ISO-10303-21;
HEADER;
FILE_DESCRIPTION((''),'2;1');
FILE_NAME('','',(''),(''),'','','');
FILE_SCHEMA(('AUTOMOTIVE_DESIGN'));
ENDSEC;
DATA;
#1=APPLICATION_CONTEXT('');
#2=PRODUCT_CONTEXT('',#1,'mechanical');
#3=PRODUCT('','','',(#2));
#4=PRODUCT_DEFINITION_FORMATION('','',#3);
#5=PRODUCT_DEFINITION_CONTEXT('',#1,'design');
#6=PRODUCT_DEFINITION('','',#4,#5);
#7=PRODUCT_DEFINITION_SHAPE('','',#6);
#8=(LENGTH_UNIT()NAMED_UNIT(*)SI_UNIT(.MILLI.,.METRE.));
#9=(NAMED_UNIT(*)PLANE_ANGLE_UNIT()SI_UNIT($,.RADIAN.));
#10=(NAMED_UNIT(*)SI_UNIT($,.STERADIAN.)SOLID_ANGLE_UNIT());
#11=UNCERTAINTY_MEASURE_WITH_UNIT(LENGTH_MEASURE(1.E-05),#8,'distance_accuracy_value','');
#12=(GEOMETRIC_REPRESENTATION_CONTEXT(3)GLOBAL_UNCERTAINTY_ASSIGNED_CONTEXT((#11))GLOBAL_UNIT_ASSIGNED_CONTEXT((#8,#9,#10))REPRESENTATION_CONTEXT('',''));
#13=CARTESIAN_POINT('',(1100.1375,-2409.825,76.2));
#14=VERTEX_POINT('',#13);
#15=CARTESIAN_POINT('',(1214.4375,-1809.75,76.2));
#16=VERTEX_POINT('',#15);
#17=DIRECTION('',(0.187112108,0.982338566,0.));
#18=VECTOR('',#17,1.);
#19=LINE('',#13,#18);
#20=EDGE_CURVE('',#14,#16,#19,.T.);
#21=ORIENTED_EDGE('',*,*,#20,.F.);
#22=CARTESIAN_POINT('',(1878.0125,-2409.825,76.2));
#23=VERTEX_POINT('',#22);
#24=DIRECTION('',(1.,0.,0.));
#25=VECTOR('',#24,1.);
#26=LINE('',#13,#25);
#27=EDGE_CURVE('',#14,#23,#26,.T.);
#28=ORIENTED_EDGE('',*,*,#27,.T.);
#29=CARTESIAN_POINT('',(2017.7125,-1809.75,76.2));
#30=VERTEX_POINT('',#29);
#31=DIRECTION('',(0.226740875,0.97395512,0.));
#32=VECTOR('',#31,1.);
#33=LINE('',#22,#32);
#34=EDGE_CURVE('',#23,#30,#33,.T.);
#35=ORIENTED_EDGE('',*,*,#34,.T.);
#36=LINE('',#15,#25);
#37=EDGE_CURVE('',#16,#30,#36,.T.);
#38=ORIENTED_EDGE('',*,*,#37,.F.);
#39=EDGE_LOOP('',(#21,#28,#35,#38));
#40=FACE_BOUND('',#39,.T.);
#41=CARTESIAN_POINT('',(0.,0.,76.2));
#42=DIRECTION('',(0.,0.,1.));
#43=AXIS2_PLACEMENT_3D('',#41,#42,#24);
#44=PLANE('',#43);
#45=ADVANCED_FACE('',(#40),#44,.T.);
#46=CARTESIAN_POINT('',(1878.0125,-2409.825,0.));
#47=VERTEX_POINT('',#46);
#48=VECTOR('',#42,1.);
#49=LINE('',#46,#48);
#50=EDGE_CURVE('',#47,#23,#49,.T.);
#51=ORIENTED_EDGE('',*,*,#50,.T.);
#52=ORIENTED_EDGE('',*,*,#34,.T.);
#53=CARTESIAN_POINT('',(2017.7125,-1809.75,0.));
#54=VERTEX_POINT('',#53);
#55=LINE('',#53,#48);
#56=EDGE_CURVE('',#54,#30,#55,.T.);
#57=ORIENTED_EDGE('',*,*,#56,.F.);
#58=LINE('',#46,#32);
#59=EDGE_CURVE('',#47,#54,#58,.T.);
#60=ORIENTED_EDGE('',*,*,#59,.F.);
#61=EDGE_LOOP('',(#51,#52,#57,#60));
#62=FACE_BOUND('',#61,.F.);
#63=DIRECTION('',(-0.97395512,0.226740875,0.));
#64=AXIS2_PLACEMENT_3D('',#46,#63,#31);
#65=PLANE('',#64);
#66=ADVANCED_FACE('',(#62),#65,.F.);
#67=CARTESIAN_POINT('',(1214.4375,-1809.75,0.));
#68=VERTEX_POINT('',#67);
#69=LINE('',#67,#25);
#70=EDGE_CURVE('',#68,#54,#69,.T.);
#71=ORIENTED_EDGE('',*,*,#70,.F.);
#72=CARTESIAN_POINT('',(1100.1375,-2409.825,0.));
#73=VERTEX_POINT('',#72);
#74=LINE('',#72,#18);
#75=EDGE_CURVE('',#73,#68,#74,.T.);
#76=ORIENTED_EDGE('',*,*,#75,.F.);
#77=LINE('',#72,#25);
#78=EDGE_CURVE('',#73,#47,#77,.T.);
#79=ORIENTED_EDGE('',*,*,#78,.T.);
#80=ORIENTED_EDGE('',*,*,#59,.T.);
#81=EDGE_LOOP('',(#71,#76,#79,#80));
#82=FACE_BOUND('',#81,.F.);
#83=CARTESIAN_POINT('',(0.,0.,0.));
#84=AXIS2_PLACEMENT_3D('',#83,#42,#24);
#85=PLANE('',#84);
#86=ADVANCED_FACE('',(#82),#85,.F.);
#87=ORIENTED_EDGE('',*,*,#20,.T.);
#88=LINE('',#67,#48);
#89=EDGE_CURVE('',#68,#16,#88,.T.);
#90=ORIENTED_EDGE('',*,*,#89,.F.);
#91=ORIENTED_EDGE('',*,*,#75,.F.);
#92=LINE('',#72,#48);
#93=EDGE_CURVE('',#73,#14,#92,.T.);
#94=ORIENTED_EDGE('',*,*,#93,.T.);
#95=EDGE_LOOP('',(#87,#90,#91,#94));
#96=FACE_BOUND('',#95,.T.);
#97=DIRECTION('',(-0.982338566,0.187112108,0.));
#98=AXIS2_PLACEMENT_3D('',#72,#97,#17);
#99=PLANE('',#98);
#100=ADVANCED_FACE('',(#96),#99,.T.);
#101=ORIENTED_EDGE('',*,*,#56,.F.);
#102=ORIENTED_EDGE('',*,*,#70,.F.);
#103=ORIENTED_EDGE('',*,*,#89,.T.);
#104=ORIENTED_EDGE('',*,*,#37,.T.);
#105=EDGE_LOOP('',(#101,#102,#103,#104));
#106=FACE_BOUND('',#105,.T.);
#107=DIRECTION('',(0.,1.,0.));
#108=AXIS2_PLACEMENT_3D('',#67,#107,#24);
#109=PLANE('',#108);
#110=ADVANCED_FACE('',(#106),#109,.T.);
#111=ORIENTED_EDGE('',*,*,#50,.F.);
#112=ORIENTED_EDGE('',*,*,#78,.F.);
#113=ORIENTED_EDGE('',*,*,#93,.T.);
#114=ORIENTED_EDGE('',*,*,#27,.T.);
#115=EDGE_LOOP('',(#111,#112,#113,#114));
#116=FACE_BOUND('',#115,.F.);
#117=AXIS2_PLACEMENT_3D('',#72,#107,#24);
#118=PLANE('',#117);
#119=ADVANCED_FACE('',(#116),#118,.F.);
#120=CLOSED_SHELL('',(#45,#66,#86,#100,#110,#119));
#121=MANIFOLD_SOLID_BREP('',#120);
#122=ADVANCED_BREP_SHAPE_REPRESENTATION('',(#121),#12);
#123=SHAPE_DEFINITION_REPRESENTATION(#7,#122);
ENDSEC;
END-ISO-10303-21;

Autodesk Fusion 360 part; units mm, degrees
sketch "Sketch1" plane through (0, 0, 0) normal (0, 0, 1) x (1, 0, 0)
  line L0 (0, 0) -> (0, -600.075)
  line L1 (0, -600.075) -> (744.5375, -600.075)
  line L2 (0, 0) -> (947.7375, 0)
  line L3 (947.7375, 0) -> (744.5375, -600.075)
  line L4 (1049.3375, -600.075) -> (2105.025, -600.075)
  line L5 (1049.3375, -600.075) -> (1252.5375, 0)
  line L6 (2105.025, -600.075) -> (1698.625, 0)
  line L7 (1252.5375, 0) -> (1698.625, 0)
  line L8 (2003.425, 0) -> (3025.775, 0)
  line L9 (2409.825, -600.075) -> (3025.775, -600.075)
  line L10 (3025.775, 0) -> (3025.775, -600.075)
  line L11 (2409.825, -600.075) -> (2003.425, 0)
  line L12 (0, -904.875) -> (0, -1504.95)
  line L13 (0, -1504.95) -> (376.2375, -1504.95)
  line L14 (376.2375, -1504.95) -> (528.6375, -904.875)
  line L15 (0, -904.875) -> (528.6375, -904.875)
  line L16 (579.4375, -1504.95) -> (1636.7125, -1504.95)
  line L17 (731.8375, -904.875) -> (1420.8125, -904.875)
  line L18 (579.4375, -1504.95) -> (731.8375, -904.875)
  line L19 (1420.8125, -904.875) -> (1636.7125, -1504.95)
  line L20 (1839.9125, -1504.95) -> (2160.5875, -1504.95)
  line L21 (1624.0125, -904.875) -> (2401.8875, -904.875)
  line L22 (1624.0125, -904.875) -> (1839.9125, -1504.95)
  line L23 (2160.5875, -1504.95) -> (2401.8875, -904.875)
  line L24 (2363.7875, -1504.95) -> (3019.425, -1504.95)
  line L25 (2605.0875, -904.875) -> (3019.425, -904.875)
  line L26 (3019.425, -904.875) -> (3019.425, -1504.95)
  line L27 (2605.0875, -904.875) -> (2363.7875, -1504.95)
  line L28 (0, -1809.75) -> (0, -2409.825)
  line L29 (0, -1809.75) -> (909.6375, -1809.75)
  line L30 (0, -2409.825) -> (795.3375, -2409.825)
  line L31 (795.3375, -2409.825) -> (909.6375, -1809.75)
  line L32 (1214.4375, -1809.75) -> (2017.7125, -1809.75)
  line L33 (1100.1375, -2409.825) -> (1878.0125, -2409.825)
  line L34 (1100.1375, -2409.825) -> (1214.4375, -1809.75)
  line L35 (1878.0125, -2409.825) -> (2017.7125, -1809.75)
  line L36 (2182.8125, -2409.825) -> (3028.95, -2409.825)
  line L37 (2322.5125, -1809.75) -> (3028.95, -1809.75)
  line L38 (2322.5125, -1809.75) -> (2182.8125, -2409.825)
  line L39 (3028.95, -1809.75) -> (3028.95, -2409.825)
  line L40 (0, -2714.625) -> (0, -3314.7)
  line L41 (0, -2714.625) -> (465.1375, -2714.625)
  line L42 (465.1375, -2714.625) -> (465.1375, -3314.7)
  line L43 (465.1375, -3314.7) -> (0, -3314.7)
  line L44 (668.3375, -3314.7) -> (1268.4125, -3314.7)
  line L45 (668.3375, -3314.7) -> (668.3375, -2714.625)
  line L46 (668.3375, -2714.625) -> (1458.9125, -2714.625)
  line L47 (1458.9125, -2714.625) -> (1268.4125, -3314.7)
  line L48 (1471.6125, -3314.7) -> (2236.7875, -3314.7)
  line L49 (1662.1125, -2714.625) -> (2528.8875, -2714.625)
  line L50 (1471.6125, -3314.7) -> (1662.1125, -2714.625)
  line L51 (2528.8875, -2714.625) -> (2236.7875, -3314.7)
  line L52 (2439.9875, -3314.7) -> (3019.425, -3314.7)
  line L53 (2732.0875, -2714.625) -> (3019.425, -2714.625)
  line L54 (2439.9875, -3314.7) -> (2732.0875, -2714.625)
  line L55 (3019.425, -2714.625) -> (3019.425, -3314.7)
  dimension "d1" = 600.075
  dimension "d2" = 744.5375
  dimension "d3" = 1055.6875
  dimension "d4" = 304.8
  dimension "d5" = 1022.35
  dimension "d6" = 615.95
  dimension "d7" = 0
  dimension "d8" = 304.8
  dimension "d9" = 376.2375
  dimension "d10" = 1057.275
  dimension "d11" = 203.2
  dimension "d12" = 688.975
  dimension "d13" = 320.675
  dimension "d14" = 777.875
  dimension "d15" = 203.2
  dimension "d16" = 655.6375
  dimension "d17" = 414.3375
  dimension "d18" = 203.2
  dimension "d19" = 0
  dimension "d20" = 0
  dimension "d21" = 909.6375
  dimension "d22" = 795.3375
  dimension "d23" = 803.275
  dimension "d24" = 777.875
  dimension "d25" = 304.8
  dimension "d26" = 846.1375
  dimension "d27" = 304.8
  dimension "d28" = 706.4375
  dimension "d29" = 304.8
  dimension "d30" = 947.7375
  dimension "d31" = 446.0875
  dimension "d32" = 528.6375
  dimension "d33" = 0
  dimension "d34" = 0
  dimension "d35" = 465.1375
  dimension "d36" = 600.075
  dimension "d37" = 203.2
  dimension "d38" = 790.575
  dimension "d39" = 765.175
  dimension "d40" = 203.2
  dimension "d41" = 866.775
  dimension "d42" = 579.4375
  dimension "d43" = 287.3375
  dimension "d44" = 203.2
extrude "Extrude1" add sketch "Sketch1" along normal blind 76.2 contours L32 L33 L34 L35
equation "d1 = 23 5/8\""
equation "d2 = 29 5/16\""
equation "d3 = 41 9/16\""
equation "d5 = 40 1/4\""
equation "d6 = 24 1/4\""
equation "d7 = d20"
equation "d9 = 14 13/16\""
equation "d12 = 27 1/8\""
equation "d13 = 12 5/8\""
equation "d14 = 30 5/8\""
equation "d16 = 25 13/16\""
equation "d17 = 16 5/16\""
equation "d19 = d20"
equation "d20 = d33"
equation "d21 = 35 13/16\""
equation "d22 = 31 5/16\""
equation "d23 = 31 5/8\""
equation "d24 = 30 5/8\""
equation "d26 = 33 5/16\""
equation "d28 = 27 13/16\""
equation "d30 = 37 5/16\""
equation "d31 = 17 9/16\""
equation "d32 = 20 13/16\""
equation "d33 = d33"
equation "d34 = d20"
equation "d35 = 18 5/16\""
equation "d36 = 23 5/8\""
equation "d38 = 31 1/8\""
equation "d41 = 34 1/8\""
